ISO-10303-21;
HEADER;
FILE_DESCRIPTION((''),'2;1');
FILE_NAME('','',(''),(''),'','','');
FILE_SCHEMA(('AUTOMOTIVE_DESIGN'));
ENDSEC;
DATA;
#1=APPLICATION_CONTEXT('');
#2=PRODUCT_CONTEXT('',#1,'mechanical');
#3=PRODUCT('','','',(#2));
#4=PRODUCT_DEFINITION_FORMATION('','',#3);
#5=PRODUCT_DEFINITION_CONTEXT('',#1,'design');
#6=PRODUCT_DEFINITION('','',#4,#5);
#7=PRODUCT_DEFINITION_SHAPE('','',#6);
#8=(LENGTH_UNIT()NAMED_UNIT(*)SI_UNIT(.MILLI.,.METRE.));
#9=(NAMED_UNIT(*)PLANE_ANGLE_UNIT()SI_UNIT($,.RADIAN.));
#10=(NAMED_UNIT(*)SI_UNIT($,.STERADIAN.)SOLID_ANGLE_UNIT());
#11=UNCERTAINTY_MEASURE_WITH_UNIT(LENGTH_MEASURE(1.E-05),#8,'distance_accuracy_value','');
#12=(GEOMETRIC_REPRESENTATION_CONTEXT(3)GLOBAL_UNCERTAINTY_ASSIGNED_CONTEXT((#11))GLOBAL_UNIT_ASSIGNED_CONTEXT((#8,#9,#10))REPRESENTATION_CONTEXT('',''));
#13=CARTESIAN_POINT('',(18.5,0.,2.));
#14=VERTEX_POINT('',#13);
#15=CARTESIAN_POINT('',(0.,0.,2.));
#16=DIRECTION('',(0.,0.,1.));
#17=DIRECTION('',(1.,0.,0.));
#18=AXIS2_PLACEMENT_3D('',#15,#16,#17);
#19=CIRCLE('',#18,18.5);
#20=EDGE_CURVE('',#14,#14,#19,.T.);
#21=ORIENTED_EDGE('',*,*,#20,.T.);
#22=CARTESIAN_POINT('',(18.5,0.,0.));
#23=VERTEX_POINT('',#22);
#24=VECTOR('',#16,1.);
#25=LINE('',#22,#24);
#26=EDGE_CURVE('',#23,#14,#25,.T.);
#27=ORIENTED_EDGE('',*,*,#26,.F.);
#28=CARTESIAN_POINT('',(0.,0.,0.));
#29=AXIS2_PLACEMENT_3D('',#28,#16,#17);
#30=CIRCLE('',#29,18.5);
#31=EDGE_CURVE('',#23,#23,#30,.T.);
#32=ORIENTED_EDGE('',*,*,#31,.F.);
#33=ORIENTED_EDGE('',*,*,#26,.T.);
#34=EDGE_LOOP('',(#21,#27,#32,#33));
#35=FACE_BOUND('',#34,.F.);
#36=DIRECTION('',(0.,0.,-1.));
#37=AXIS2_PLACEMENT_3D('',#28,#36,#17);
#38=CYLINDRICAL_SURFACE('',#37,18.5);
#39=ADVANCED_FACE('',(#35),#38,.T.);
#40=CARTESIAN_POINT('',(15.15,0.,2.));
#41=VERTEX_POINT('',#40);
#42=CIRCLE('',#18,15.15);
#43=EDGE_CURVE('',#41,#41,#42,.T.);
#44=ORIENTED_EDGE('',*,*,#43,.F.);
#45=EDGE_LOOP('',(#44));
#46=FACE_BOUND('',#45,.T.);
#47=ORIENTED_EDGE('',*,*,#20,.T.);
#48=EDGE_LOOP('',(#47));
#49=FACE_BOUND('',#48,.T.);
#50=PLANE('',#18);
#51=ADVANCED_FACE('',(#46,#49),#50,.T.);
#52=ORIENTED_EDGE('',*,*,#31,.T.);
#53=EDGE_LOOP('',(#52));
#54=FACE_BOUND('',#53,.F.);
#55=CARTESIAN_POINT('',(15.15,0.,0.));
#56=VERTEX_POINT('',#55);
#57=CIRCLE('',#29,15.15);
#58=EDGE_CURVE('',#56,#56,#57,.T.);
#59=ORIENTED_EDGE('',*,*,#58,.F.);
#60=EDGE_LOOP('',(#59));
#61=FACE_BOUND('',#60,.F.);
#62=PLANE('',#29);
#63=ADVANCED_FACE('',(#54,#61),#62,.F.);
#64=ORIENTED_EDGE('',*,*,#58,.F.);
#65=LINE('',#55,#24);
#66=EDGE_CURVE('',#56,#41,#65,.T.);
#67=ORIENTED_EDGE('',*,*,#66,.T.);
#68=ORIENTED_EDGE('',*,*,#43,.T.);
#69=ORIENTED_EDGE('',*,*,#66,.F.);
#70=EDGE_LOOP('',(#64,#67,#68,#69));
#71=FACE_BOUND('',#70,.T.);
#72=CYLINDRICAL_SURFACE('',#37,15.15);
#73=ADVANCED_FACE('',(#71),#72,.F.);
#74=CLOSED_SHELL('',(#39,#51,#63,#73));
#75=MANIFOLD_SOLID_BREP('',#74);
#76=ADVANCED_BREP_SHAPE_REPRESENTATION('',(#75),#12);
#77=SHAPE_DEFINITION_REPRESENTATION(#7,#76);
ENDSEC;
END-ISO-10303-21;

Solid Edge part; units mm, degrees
sketch "Sketch1" plane through (0, 0, 0) normal (0, 0, 1) x (1, 0, 0)
  circle A0 centre (0, 0) radius 18.5
  circle A1 centre (0, 0) radius 15.15
  dimension "D1" = 30.3
  dimension "D2" = 37
extrude "Protrusion1" add sketch "Sketch1" along normal blind 2
properties material "Aluminum, 6061-T6"
